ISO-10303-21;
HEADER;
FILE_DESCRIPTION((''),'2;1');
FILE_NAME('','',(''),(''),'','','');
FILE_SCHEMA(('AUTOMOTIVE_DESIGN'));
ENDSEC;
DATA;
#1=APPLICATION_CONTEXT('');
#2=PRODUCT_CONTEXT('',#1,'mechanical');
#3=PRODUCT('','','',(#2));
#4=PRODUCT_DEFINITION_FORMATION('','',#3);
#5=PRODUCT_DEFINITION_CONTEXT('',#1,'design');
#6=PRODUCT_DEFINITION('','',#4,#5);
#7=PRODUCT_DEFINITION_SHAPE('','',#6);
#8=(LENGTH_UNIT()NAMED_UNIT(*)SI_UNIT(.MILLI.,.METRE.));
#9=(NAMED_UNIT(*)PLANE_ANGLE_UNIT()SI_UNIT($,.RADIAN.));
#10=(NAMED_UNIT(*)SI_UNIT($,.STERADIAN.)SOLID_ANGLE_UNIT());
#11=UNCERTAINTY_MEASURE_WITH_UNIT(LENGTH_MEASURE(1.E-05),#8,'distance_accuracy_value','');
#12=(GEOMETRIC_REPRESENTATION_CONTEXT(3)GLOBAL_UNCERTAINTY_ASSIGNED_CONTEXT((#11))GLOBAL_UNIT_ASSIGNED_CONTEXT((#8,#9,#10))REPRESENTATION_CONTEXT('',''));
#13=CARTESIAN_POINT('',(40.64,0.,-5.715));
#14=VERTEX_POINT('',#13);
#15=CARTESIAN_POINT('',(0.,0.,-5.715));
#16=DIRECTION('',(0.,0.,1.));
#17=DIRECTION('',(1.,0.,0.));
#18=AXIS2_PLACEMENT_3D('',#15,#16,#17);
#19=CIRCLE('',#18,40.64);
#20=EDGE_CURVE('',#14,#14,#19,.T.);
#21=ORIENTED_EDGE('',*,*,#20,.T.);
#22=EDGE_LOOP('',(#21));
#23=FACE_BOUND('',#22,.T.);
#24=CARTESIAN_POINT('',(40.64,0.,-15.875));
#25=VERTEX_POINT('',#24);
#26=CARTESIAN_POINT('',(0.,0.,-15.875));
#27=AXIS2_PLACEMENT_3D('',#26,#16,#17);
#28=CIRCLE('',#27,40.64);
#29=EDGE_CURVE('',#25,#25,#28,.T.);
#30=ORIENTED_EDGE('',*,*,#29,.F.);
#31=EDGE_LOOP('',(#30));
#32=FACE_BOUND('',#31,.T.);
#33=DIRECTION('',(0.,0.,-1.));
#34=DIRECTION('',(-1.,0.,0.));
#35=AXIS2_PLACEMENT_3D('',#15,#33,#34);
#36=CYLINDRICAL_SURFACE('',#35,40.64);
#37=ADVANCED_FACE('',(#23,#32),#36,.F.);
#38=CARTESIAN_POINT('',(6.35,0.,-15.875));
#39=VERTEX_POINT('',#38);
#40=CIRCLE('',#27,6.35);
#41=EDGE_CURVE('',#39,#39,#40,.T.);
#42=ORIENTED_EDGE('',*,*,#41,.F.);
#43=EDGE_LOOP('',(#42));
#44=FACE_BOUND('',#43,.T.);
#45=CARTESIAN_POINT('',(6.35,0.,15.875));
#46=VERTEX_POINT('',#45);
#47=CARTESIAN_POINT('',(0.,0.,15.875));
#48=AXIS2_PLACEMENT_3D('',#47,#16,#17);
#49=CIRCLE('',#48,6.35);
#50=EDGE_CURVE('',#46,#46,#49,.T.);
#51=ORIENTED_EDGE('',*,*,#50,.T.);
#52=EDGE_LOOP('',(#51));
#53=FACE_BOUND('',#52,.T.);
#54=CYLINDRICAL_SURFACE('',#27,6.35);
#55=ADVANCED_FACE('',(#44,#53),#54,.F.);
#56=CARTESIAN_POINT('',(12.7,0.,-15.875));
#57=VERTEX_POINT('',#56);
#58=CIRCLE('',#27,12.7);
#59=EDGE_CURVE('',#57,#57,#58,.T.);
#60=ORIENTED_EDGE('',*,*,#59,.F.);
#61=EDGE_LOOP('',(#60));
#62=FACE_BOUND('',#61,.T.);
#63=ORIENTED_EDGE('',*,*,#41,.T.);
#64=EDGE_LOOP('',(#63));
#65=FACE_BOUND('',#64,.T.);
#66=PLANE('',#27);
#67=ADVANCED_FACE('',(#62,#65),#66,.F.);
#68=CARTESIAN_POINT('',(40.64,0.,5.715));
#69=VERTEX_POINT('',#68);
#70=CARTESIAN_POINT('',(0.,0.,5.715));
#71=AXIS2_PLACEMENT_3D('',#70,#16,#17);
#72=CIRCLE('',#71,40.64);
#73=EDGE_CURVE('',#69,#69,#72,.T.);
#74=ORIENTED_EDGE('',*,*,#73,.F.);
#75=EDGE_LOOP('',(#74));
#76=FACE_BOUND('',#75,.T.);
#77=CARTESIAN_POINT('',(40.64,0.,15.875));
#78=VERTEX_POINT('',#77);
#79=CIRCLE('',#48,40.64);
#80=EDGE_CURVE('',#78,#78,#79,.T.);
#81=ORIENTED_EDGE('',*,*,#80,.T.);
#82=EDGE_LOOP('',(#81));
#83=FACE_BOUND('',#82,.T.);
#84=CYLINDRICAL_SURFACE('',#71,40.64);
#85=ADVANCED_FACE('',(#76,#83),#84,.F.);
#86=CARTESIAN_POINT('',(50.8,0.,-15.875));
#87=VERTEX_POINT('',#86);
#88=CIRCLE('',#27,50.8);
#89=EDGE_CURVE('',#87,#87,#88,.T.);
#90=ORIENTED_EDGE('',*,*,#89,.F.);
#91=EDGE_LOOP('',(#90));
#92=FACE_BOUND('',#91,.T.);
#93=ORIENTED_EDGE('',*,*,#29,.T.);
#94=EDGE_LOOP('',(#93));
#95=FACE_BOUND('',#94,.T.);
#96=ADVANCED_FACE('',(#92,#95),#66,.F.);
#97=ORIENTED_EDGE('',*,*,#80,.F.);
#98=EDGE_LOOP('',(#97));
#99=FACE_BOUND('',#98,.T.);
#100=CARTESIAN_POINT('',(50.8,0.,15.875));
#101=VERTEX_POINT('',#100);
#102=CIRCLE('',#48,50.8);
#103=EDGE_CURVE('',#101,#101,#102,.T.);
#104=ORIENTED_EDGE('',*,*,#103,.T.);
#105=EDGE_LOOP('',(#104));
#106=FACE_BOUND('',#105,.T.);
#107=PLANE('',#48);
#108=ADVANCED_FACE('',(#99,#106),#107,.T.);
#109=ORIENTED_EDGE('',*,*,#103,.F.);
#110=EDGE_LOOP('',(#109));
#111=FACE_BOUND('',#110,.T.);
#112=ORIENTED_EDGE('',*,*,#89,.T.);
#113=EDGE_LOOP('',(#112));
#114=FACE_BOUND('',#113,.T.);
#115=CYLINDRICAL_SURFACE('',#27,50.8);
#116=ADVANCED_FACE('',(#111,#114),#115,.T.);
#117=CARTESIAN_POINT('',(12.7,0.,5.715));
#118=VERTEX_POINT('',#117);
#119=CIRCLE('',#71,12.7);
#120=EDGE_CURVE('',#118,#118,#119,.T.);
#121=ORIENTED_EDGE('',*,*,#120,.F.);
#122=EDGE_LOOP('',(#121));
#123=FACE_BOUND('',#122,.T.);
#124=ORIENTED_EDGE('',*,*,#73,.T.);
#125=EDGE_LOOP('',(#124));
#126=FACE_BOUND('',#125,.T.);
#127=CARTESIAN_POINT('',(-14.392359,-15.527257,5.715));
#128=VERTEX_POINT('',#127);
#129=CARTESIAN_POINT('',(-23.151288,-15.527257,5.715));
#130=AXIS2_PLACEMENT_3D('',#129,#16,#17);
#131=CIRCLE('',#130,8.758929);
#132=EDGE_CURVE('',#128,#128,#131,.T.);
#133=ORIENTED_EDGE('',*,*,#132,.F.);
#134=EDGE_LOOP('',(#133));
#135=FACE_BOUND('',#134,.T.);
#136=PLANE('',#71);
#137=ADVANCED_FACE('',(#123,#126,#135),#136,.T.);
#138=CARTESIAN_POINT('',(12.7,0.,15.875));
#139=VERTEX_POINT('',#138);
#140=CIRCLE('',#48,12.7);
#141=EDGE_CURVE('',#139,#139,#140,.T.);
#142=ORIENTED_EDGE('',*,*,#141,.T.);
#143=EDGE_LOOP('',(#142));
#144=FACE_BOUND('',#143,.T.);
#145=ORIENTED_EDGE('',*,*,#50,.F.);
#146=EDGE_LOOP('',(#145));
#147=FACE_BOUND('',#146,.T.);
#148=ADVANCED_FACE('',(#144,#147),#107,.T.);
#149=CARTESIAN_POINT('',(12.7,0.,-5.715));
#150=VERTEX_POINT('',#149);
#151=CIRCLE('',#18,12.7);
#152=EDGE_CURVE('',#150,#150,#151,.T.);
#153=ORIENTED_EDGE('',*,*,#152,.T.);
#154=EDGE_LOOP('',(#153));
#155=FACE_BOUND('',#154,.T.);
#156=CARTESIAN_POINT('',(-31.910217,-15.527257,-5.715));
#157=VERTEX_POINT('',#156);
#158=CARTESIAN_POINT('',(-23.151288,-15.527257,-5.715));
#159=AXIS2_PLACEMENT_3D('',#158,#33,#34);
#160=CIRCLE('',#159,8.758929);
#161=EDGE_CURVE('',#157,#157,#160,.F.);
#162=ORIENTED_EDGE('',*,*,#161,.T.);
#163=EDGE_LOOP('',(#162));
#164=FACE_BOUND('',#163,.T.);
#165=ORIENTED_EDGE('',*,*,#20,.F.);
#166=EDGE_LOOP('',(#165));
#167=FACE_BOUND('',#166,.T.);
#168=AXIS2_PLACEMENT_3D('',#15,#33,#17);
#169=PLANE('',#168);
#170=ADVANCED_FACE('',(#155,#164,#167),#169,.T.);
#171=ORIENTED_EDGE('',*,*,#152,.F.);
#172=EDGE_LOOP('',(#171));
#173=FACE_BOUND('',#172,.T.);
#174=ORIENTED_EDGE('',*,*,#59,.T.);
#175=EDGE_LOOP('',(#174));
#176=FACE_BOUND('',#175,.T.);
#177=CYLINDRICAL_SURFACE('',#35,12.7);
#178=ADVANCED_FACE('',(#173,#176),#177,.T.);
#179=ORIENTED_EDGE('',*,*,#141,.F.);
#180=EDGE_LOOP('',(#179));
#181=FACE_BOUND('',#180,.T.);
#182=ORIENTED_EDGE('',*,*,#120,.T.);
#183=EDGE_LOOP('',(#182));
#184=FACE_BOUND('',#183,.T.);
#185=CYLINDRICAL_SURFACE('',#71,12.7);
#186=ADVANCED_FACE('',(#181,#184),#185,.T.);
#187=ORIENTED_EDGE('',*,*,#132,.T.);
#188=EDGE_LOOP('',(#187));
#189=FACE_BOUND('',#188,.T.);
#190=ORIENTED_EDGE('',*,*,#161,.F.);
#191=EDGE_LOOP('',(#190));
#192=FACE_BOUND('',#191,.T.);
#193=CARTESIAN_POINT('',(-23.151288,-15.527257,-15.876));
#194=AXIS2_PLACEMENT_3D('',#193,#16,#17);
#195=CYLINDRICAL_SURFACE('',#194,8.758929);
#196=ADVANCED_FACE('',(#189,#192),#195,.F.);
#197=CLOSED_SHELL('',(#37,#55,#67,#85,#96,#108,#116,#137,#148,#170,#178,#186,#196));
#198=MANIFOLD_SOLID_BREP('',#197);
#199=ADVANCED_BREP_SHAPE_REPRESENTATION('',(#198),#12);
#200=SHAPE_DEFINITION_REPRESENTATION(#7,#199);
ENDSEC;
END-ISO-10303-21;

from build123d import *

# Parameters (mm, degrees)
SKETCH1_R           = 50.8
SKETCH1_R_2         = 6.35
BOSS_EXTRUDE1_DEPTH = 15.875
SKETCH2_R           = 40.64
SKETCH2_R_2         = 12.7
CUT_EXTRUDE1_DEPTH  = 10.16
CUT_EXTRUDE2_REACH  = 77.016
SKETCH3_R           = 8.758928998


with BuildPart() as part:
    # Sketch1 → Boss-Extrude1 (new, symmetric)
    with BuildSketch(Plane.XY):
        Circle(SKETCH1_R)
        Circle(SKETCH1_R_2, mode=Mode.SUBTRACT)
    extrude(amount=BOSS_EXTRUDE1_DEPTH, both=True)

    # Sketch2 → Cut-Extrude1 (cut)
    with BuildSketch(Plane.XY.offset(15.875)):
        Circle(SKETCH2_R)
        Circle(SKETCH2_R_2, mode=Mode.SUBTRACT)
    cut_extrude1 = extrude(amount=-CUT_EXTRUDE1_DEPTH, mode=Mode.SUBTRACT)

    # Mirror1: Cut-Extrude1 across plane
    add(cut_extrude1.mirror(Plane.XY), mode=Mode.SUBTRACT)

    # Sketch3 → Cut-Extrude2 (cut, up to next)
    with BuildSketch(Plane.XY.offset(5.715), mode=Mode.PRIVATE) as cut_extrude2_sk1:
        with Locations((-23.151287749, -15.527256866)):
            Circle(SKETCH3_R)
    cut_extrude2_tool1 = extrude(cut_extrude2_sk1.sketch, amount=-CUT_EXTRUDE2_REACH, mode=Mode.PRIVATE) & part.part
    add(cut_extrude2_tool1.solids().sort_by_distance((-23.151288, -15.527257, 5.715))[0], mode=Mode.SUBTRACT)


solid = part.part
